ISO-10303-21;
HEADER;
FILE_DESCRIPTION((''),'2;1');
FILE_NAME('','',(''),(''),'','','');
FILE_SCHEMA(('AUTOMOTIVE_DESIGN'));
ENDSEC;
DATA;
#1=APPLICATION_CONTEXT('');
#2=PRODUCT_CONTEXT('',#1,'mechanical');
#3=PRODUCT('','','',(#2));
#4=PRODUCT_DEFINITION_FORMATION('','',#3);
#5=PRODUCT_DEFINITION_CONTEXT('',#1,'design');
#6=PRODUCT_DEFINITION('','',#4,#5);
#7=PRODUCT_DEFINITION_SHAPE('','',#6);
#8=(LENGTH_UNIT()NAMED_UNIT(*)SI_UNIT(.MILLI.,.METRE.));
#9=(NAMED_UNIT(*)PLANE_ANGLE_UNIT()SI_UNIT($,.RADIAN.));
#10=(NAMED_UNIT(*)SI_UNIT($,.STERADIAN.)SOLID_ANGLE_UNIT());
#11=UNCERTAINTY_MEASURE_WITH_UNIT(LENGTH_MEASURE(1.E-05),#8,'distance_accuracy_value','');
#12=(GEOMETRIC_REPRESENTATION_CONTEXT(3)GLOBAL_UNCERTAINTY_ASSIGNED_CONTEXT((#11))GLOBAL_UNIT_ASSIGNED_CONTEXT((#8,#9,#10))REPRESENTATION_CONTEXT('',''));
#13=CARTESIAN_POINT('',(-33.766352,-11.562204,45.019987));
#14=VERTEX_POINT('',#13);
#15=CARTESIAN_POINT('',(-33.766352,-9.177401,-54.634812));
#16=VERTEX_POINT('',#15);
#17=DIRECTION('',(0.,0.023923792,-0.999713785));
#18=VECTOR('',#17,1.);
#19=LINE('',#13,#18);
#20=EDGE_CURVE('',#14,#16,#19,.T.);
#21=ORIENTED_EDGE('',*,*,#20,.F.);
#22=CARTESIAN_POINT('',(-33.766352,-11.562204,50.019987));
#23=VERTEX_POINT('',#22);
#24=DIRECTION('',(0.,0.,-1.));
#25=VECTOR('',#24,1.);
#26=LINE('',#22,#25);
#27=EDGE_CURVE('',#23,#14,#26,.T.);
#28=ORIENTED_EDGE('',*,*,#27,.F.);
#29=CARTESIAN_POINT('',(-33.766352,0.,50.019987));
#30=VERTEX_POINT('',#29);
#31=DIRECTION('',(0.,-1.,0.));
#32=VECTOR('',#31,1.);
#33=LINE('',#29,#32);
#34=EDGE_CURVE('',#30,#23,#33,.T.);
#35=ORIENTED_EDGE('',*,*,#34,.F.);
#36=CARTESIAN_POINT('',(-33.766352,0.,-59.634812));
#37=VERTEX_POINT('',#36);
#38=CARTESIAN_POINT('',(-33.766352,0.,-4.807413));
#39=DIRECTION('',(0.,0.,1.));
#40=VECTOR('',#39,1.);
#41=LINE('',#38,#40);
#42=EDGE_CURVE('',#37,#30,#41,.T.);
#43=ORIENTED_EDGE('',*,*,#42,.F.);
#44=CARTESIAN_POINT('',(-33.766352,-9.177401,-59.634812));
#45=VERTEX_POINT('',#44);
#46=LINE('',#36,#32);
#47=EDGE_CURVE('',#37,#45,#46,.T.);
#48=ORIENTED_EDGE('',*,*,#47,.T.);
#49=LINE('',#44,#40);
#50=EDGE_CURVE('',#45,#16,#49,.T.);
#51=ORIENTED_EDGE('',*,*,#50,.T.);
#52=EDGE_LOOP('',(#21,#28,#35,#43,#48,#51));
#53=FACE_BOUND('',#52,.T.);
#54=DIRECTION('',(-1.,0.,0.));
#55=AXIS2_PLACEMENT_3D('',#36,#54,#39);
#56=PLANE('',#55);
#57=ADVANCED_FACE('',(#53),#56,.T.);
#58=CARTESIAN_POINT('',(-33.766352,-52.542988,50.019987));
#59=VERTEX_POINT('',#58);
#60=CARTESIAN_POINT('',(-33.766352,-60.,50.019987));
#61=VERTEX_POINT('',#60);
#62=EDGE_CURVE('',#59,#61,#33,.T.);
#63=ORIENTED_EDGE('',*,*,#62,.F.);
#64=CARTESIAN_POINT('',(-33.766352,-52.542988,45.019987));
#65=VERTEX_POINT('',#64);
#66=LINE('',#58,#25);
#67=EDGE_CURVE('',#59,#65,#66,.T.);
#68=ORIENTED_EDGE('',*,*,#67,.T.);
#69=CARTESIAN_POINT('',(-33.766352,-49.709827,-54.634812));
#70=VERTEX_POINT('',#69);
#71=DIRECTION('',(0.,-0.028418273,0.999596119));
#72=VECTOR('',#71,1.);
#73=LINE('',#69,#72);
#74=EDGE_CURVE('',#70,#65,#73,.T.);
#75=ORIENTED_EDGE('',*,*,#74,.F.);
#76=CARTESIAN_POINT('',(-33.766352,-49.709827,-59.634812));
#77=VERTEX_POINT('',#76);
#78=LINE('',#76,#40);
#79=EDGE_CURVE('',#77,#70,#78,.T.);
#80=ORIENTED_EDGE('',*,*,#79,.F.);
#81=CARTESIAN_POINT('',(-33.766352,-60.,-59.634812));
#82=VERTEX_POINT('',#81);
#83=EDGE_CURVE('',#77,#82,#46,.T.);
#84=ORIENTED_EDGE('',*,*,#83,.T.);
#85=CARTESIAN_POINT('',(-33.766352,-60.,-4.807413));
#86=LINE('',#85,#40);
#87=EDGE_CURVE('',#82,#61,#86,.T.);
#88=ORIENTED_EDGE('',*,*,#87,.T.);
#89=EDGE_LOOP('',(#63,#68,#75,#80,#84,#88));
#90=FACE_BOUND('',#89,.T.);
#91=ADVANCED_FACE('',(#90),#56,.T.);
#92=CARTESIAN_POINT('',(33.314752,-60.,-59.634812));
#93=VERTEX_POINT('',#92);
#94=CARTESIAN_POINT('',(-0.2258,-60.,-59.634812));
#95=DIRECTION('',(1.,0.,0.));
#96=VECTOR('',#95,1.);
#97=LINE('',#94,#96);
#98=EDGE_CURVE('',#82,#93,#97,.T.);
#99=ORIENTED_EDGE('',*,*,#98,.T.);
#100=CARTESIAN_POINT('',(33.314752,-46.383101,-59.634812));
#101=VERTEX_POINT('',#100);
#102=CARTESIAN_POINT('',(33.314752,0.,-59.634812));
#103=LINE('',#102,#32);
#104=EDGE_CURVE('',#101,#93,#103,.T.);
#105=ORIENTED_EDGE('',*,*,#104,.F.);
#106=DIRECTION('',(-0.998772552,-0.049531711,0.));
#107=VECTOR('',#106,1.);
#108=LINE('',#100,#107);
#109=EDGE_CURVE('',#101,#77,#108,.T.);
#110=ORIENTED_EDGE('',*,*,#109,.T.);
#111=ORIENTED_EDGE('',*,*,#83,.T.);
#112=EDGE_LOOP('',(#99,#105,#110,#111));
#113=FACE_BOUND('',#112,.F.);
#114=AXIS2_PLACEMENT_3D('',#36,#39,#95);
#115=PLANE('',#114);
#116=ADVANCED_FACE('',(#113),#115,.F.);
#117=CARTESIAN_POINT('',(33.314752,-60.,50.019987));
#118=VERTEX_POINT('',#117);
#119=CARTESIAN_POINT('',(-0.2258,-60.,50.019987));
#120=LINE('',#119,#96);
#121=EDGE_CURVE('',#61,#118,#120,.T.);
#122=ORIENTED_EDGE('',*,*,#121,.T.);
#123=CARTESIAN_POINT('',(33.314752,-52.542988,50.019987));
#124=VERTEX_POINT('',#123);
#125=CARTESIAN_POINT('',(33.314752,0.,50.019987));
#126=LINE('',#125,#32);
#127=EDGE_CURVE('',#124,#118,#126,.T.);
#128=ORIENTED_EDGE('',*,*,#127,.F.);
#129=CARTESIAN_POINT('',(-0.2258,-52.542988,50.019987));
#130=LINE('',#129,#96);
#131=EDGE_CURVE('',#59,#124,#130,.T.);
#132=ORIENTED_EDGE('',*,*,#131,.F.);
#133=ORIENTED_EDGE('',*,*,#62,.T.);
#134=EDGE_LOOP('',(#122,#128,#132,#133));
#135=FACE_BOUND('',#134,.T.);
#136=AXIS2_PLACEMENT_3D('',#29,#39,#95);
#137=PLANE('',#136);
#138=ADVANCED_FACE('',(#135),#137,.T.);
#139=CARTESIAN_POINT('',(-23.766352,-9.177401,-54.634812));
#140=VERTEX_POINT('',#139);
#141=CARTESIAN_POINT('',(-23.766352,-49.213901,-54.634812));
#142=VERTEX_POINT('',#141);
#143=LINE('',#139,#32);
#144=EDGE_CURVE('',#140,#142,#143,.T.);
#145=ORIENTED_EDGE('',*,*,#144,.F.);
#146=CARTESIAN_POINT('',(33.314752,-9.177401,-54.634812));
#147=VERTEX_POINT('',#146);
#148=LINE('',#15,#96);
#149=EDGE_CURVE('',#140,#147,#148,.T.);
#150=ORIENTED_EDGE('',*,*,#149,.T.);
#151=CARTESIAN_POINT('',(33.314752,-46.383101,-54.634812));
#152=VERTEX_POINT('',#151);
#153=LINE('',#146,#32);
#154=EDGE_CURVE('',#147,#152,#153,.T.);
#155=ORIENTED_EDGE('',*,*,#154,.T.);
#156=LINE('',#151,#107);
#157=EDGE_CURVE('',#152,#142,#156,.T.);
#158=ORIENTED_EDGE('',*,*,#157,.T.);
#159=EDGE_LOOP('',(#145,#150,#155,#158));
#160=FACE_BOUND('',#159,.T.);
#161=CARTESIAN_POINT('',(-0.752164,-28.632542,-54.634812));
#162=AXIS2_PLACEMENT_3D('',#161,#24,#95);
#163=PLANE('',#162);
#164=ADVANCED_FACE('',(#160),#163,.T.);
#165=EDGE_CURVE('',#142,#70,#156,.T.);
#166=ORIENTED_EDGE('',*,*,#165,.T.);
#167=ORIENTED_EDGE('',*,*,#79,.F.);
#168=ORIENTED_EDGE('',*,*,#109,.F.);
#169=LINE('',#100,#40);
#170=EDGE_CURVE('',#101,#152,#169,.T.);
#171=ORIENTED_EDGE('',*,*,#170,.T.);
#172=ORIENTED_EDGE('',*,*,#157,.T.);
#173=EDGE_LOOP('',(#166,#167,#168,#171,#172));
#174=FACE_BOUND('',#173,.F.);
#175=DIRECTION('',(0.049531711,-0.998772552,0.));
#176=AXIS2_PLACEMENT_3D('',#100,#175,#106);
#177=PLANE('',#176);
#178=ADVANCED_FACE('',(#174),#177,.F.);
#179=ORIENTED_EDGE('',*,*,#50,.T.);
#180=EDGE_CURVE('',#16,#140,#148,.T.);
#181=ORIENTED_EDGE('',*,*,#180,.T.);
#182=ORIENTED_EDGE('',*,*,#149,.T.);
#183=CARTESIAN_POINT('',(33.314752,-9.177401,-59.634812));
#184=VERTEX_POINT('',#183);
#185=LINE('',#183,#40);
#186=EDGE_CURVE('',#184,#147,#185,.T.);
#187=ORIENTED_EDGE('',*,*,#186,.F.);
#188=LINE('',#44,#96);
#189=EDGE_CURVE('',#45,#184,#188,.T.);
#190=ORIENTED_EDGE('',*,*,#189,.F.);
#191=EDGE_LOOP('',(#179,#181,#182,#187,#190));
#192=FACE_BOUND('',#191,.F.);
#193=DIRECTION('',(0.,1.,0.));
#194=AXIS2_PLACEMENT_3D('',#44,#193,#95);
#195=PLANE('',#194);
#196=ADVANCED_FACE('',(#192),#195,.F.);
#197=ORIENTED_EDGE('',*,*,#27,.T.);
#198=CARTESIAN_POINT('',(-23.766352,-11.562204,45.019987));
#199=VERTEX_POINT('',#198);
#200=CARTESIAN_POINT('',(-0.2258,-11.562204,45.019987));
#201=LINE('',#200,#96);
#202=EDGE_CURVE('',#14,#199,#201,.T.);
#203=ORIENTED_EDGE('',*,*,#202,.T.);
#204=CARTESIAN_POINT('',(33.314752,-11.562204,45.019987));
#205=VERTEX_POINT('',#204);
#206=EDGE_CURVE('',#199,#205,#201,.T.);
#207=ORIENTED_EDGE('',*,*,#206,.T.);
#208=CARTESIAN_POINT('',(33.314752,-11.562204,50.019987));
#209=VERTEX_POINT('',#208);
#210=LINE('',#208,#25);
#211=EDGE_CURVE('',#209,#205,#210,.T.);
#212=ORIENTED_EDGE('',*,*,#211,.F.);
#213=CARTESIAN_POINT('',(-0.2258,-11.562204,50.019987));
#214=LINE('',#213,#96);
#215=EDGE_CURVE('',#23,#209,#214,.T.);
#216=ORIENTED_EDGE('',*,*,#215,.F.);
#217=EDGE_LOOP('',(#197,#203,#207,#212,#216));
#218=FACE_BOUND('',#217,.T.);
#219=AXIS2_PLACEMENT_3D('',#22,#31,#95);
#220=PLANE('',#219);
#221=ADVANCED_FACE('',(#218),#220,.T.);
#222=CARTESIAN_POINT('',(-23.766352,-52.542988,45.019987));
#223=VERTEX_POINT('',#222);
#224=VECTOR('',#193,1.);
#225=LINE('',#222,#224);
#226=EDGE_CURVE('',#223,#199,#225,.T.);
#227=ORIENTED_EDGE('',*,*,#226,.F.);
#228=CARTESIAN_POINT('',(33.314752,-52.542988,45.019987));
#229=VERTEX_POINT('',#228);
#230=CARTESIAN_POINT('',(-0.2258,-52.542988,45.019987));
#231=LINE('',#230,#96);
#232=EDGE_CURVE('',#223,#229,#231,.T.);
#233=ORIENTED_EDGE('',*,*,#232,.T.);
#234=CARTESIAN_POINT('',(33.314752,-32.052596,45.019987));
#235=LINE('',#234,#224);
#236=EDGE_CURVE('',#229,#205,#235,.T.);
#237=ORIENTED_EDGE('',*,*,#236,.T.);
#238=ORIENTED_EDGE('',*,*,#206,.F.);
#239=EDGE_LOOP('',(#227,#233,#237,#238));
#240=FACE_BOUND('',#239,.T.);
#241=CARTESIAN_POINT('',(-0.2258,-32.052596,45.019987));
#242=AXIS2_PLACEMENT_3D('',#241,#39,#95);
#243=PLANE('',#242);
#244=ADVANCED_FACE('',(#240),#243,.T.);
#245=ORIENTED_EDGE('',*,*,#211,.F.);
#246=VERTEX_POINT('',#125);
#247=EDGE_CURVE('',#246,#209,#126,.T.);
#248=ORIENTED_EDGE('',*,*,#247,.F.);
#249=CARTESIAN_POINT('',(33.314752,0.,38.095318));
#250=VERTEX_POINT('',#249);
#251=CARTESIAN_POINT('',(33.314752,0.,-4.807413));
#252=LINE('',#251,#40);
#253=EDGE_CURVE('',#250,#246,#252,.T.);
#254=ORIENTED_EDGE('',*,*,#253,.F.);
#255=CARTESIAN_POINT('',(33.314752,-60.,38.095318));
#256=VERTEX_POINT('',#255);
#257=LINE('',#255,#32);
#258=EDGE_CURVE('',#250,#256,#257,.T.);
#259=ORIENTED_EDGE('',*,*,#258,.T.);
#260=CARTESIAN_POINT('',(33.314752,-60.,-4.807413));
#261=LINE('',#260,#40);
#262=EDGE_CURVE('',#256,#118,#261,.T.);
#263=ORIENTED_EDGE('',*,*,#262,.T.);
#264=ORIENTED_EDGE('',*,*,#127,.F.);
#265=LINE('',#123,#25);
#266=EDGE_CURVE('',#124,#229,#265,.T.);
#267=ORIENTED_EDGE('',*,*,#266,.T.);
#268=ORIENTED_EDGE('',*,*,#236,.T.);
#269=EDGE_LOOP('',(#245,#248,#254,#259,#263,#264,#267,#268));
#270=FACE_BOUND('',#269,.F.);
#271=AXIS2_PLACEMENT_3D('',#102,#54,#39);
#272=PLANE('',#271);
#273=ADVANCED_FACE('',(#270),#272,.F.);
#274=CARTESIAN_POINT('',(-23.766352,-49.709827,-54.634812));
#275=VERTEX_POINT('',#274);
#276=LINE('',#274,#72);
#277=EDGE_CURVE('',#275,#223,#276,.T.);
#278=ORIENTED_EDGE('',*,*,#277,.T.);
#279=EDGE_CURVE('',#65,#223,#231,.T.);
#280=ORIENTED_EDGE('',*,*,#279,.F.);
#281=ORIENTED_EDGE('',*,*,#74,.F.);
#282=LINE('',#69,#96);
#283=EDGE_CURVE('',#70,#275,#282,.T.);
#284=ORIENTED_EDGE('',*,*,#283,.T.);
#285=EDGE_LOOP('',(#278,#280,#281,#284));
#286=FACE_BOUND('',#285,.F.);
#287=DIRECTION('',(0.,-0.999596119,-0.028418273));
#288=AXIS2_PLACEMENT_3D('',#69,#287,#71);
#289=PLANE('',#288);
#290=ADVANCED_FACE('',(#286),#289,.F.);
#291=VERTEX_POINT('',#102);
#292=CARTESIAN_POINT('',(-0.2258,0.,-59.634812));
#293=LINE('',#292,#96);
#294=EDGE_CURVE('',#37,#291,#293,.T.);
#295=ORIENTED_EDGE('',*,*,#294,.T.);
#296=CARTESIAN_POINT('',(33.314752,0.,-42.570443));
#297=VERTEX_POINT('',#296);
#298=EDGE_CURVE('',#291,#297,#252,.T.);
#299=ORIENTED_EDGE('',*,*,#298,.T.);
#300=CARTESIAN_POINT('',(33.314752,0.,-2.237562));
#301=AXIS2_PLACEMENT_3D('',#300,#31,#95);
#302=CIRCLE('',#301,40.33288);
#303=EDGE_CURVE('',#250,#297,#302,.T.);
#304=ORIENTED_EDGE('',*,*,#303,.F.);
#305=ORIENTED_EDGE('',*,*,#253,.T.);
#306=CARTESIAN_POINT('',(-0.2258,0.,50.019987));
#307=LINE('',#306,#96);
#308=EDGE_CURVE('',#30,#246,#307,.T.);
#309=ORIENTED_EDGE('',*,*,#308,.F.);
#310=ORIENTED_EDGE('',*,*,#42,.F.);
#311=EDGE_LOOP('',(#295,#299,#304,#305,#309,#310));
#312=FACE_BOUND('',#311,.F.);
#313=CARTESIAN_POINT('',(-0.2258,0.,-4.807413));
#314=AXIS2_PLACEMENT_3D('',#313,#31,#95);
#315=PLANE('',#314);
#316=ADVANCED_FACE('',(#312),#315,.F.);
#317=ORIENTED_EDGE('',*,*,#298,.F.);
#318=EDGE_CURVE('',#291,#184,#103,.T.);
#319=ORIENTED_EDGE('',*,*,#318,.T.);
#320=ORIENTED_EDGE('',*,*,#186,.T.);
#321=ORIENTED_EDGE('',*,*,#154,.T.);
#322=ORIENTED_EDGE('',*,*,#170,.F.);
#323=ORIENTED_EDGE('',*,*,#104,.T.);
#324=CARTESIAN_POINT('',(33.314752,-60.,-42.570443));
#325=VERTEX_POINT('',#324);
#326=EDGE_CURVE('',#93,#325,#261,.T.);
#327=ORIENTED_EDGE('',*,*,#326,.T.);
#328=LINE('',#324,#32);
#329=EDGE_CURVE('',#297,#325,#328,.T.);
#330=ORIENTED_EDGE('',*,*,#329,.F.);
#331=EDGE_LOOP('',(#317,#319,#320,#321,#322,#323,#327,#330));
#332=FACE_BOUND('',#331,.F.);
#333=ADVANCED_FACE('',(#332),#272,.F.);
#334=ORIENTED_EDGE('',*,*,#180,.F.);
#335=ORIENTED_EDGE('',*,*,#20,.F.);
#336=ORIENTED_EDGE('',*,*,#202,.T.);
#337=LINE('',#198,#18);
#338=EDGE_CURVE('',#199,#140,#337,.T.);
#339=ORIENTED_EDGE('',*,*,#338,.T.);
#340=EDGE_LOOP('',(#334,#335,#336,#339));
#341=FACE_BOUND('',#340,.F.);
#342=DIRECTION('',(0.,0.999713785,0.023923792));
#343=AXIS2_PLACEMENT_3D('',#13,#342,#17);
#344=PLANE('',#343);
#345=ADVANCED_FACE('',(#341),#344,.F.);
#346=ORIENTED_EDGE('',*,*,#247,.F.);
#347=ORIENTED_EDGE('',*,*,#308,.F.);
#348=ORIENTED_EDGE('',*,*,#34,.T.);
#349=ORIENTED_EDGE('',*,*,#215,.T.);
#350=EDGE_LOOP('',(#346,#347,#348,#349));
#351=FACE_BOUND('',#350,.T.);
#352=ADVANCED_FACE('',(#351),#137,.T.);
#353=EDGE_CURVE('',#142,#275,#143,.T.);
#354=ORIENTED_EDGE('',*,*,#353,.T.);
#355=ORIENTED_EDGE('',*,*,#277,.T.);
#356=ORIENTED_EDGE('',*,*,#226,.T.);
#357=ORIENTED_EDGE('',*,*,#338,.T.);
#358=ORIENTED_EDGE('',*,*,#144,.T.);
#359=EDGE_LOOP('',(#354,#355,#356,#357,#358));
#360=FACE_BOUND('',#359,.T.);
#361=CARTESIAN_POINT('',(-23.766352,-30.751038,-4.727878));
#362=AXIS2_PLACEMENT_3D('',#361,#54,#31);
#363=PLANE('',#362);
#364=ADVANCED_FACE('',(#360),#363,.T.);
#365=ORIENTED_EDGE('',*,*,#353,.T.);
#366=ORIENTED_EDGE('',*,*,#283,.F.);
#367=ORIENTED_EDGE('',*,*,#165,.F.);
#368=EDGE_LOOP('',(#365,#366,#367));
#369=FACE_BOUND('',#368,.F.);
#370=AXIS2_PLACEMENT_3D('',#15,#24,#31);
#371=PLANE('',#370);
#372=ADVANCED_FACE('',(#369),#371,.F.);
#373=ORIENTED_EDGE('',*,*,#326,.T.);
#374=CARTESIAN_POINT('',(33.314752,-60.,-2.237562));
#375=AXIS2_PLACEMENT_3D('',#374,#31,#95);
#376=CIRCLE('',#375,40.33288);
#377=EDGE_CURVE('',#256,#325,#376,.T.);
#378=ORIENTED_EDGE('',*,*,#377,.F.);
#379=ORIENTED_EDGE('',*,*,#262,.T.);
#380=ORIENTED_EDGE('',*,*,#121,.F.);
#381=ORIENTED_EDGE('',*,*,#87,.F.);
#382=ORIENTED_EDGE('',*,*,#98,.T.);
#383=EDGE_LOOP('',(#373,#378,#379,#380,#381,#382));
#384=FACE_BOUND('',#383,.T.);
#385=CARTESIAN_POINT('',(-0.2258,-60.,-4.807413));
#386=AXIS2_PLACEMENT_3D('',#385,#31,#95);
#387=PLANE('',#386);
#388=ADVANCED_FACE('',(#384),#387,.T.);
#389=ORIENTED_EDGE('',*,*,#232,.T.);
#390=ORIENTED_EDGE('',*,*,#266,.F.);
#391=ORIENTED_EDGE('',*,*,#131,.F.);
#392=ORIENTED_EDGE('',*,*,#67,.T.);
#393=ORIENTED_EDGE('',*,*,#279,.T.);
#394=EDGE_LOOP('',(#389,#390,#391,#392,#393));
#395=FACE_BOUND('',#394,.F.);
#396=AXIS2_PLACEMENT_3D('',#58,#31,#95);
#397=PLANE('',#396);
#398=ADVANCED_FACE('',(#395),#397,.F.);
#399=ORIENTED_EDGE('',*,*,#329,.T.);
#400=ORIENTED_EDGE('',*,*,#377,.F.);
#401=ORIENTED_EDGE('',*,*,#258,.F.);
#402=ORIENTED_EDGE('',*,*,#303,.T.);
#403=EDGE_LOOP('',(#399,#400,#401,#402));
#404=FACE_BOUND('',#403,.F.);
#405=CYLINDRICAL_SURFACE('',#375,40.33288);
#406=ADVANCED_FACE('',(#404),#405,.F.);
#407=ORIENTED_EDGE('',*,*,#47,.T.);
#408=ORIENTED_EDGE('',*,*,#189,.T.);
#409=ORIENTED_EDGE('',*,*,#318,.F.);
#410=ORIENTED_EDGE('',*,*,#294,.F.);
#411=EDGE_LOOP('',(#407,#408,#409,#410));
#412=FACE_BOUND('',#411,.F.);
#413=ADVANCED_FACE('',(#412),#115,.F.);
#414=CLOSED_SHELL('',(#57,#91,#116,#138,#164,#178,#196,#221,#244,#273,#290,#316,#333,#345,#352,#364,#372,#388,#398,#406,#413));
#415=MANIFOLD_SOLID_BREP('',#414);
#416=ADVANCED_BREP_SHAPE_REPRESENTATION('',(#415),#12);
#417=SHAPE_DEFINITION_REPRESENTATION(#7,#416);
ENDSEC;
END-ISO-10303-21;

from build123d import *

# Parameters (mm, degrees)
F0_W     = 67.0811040951
F0_H     = 109.6547991037
F1_DEPTH = 60
F2_R     = 40.3328803273
F3_DEPTH = 60
F4_W     = 67.0811040951
F4_H     = 40.9807842225
F5_DEPTH = 5
F7_DEPTH = 5
F9_DEPTH = 10


with BuildPart() as f1:
    # F0 (on Front) → F1 (new body)
    with BuildSketch(Plane.XZ):
        with Locations((-0.2257995927, -4.8074126244)):
            Rectangle(F0_W, F0_H)
    extrude(amount=F1_DEPTH)

    # F2 (on face) → F3 (cut)
    with BuildSketch(Plane.XZ.offset(60)):
        with Locations((33.3147524549, -2.237562323)):
            Circle(F2_R)
    extrude(amount=-F3_DEPTH, mode=Mode.SUBTRACT)

    # F4 (on face) → F5 (cut)
    with BuildSketch(Plane.XY.offset(50.0199869275)):
        with Locations((-0.2257995927, -32.0525960997)):
            Rectangle(F4_W, F4_H)
    extrude(amount=-F5_DEPTH, mode=Mode.SUBTRACT)

    # F6 (on face) → F7 (cut)
    with BuildSketch(Plane(origin=(0, 0, -59.6348121762), x_dir=(1, 0, 0), z_dir=(0, 0, -1))):
        Polygon((-33.7663516402, 49.7098267078), (-33.7663516402, 9.1774007306), (33.3147524549, 9.1774007306), (33.3147524549, 46.3831014931), align=None)
    extrude(amount=-F7_DEPTH, mode=Mode.SUBTRACT)

    # F8 (on face) → F9 (cut)
    with BuildSketch(Plane(origin=(-33.7663516402, 0, 0), x_dir=(0, -1, 0), z_dir=(-1, 0, 0))):
        Polygon((52.5429882109, 45.0199869275), (11.5622039884, 45.0199869275), (9.1774007306, -54.6348121762), (49.7098267078, -54.6348121762), align=None)
    extrude(amount=-F9_DEPTH, mode=Mode.SUBTRACT)


solid = f1.part
